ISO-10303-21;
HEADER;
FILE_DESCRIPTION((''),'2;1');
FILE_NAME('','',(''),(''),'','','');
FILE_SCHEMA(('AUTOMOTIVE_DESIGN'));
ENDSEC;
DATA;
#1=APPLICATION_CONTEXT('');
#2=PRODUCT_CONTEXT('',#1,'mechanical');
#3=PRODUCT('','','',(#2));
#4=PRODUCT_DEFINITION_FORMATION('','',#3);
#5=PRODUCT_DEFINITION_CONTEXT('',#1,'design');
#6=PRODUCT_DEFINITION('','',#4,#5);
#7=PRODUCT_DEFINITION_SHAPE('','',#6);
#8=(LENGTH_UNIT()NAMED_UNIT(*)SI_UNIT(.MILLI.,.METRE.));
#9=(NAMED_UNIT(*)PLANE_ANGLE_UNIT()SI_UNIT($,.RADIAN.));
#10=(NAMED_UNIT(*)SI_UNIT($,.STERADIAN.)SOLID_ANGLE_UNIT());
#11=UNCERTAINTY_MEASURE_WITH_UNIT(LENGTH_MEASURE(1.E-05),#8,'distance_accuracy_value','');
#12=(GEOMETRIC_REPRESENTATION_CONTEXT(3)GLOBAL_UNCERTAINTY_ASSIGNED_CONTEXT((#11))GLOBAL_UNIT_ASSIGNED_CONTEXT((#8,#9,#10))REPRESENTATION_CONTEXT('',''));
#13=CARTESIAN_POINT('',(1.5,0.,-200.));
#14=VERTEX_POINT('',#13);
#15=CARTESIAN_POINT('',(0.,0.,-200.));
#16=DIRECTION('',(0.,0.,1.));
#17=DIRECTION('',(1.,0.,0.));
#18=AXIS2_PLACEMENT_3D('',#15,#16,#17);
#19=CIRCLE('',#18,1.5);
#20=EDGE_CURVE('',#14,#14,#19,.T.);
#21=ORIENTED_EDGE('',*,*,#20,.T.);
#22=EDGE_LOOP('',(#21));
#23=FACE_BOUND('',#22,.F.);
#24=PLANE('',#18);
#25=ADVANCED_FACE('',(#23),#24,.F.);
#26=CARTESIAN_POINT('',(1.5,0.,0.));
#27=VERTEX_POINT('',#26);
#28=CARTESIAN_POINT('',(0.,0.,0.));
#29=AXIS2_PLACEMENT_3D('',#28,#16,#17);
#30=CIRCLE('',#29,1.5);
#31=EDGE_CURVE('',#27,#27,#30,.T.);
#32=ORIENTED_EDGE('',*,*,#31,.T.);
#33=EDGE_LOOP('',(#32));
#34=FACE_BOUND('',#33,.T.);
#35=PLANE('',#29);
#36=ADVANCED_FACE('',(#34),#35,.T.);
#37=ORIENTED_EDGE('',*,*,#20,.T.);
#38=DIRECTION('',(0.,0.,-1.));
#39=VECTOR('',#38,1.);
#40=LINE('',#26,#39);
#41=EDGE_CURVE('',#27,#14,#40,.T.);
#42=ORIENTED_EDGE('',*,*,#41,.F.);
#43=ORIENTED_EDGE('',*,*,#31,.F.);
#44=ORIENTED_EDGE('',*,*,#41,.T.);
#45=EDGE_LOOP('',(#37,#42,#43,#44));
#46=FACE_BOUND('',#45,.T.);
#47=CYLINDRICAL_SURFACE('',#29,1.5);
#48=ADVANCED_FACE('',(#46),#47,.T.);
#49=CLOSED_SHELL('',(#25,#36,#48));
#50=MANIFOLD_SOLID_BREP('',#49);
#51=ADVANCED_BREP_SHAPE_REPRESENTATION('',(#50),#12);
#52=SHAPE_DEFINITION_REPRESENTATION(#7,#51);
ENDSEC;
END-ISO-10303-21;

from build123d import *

# Parameters (mm, degrees)
SKETCH1_R           = 1.5
BOSS_EXTRUDE1_DEPTH = 200


with BuildPart() as part:
    # Sketch1 → Boss-Extrude1 (new body)
    with BuildSketch(Plane.XY):
        Circle(SKETCH1_R)
    extrude(amount=-BOSS_EXTRUDE1_DEPTH)


solid = part.part
